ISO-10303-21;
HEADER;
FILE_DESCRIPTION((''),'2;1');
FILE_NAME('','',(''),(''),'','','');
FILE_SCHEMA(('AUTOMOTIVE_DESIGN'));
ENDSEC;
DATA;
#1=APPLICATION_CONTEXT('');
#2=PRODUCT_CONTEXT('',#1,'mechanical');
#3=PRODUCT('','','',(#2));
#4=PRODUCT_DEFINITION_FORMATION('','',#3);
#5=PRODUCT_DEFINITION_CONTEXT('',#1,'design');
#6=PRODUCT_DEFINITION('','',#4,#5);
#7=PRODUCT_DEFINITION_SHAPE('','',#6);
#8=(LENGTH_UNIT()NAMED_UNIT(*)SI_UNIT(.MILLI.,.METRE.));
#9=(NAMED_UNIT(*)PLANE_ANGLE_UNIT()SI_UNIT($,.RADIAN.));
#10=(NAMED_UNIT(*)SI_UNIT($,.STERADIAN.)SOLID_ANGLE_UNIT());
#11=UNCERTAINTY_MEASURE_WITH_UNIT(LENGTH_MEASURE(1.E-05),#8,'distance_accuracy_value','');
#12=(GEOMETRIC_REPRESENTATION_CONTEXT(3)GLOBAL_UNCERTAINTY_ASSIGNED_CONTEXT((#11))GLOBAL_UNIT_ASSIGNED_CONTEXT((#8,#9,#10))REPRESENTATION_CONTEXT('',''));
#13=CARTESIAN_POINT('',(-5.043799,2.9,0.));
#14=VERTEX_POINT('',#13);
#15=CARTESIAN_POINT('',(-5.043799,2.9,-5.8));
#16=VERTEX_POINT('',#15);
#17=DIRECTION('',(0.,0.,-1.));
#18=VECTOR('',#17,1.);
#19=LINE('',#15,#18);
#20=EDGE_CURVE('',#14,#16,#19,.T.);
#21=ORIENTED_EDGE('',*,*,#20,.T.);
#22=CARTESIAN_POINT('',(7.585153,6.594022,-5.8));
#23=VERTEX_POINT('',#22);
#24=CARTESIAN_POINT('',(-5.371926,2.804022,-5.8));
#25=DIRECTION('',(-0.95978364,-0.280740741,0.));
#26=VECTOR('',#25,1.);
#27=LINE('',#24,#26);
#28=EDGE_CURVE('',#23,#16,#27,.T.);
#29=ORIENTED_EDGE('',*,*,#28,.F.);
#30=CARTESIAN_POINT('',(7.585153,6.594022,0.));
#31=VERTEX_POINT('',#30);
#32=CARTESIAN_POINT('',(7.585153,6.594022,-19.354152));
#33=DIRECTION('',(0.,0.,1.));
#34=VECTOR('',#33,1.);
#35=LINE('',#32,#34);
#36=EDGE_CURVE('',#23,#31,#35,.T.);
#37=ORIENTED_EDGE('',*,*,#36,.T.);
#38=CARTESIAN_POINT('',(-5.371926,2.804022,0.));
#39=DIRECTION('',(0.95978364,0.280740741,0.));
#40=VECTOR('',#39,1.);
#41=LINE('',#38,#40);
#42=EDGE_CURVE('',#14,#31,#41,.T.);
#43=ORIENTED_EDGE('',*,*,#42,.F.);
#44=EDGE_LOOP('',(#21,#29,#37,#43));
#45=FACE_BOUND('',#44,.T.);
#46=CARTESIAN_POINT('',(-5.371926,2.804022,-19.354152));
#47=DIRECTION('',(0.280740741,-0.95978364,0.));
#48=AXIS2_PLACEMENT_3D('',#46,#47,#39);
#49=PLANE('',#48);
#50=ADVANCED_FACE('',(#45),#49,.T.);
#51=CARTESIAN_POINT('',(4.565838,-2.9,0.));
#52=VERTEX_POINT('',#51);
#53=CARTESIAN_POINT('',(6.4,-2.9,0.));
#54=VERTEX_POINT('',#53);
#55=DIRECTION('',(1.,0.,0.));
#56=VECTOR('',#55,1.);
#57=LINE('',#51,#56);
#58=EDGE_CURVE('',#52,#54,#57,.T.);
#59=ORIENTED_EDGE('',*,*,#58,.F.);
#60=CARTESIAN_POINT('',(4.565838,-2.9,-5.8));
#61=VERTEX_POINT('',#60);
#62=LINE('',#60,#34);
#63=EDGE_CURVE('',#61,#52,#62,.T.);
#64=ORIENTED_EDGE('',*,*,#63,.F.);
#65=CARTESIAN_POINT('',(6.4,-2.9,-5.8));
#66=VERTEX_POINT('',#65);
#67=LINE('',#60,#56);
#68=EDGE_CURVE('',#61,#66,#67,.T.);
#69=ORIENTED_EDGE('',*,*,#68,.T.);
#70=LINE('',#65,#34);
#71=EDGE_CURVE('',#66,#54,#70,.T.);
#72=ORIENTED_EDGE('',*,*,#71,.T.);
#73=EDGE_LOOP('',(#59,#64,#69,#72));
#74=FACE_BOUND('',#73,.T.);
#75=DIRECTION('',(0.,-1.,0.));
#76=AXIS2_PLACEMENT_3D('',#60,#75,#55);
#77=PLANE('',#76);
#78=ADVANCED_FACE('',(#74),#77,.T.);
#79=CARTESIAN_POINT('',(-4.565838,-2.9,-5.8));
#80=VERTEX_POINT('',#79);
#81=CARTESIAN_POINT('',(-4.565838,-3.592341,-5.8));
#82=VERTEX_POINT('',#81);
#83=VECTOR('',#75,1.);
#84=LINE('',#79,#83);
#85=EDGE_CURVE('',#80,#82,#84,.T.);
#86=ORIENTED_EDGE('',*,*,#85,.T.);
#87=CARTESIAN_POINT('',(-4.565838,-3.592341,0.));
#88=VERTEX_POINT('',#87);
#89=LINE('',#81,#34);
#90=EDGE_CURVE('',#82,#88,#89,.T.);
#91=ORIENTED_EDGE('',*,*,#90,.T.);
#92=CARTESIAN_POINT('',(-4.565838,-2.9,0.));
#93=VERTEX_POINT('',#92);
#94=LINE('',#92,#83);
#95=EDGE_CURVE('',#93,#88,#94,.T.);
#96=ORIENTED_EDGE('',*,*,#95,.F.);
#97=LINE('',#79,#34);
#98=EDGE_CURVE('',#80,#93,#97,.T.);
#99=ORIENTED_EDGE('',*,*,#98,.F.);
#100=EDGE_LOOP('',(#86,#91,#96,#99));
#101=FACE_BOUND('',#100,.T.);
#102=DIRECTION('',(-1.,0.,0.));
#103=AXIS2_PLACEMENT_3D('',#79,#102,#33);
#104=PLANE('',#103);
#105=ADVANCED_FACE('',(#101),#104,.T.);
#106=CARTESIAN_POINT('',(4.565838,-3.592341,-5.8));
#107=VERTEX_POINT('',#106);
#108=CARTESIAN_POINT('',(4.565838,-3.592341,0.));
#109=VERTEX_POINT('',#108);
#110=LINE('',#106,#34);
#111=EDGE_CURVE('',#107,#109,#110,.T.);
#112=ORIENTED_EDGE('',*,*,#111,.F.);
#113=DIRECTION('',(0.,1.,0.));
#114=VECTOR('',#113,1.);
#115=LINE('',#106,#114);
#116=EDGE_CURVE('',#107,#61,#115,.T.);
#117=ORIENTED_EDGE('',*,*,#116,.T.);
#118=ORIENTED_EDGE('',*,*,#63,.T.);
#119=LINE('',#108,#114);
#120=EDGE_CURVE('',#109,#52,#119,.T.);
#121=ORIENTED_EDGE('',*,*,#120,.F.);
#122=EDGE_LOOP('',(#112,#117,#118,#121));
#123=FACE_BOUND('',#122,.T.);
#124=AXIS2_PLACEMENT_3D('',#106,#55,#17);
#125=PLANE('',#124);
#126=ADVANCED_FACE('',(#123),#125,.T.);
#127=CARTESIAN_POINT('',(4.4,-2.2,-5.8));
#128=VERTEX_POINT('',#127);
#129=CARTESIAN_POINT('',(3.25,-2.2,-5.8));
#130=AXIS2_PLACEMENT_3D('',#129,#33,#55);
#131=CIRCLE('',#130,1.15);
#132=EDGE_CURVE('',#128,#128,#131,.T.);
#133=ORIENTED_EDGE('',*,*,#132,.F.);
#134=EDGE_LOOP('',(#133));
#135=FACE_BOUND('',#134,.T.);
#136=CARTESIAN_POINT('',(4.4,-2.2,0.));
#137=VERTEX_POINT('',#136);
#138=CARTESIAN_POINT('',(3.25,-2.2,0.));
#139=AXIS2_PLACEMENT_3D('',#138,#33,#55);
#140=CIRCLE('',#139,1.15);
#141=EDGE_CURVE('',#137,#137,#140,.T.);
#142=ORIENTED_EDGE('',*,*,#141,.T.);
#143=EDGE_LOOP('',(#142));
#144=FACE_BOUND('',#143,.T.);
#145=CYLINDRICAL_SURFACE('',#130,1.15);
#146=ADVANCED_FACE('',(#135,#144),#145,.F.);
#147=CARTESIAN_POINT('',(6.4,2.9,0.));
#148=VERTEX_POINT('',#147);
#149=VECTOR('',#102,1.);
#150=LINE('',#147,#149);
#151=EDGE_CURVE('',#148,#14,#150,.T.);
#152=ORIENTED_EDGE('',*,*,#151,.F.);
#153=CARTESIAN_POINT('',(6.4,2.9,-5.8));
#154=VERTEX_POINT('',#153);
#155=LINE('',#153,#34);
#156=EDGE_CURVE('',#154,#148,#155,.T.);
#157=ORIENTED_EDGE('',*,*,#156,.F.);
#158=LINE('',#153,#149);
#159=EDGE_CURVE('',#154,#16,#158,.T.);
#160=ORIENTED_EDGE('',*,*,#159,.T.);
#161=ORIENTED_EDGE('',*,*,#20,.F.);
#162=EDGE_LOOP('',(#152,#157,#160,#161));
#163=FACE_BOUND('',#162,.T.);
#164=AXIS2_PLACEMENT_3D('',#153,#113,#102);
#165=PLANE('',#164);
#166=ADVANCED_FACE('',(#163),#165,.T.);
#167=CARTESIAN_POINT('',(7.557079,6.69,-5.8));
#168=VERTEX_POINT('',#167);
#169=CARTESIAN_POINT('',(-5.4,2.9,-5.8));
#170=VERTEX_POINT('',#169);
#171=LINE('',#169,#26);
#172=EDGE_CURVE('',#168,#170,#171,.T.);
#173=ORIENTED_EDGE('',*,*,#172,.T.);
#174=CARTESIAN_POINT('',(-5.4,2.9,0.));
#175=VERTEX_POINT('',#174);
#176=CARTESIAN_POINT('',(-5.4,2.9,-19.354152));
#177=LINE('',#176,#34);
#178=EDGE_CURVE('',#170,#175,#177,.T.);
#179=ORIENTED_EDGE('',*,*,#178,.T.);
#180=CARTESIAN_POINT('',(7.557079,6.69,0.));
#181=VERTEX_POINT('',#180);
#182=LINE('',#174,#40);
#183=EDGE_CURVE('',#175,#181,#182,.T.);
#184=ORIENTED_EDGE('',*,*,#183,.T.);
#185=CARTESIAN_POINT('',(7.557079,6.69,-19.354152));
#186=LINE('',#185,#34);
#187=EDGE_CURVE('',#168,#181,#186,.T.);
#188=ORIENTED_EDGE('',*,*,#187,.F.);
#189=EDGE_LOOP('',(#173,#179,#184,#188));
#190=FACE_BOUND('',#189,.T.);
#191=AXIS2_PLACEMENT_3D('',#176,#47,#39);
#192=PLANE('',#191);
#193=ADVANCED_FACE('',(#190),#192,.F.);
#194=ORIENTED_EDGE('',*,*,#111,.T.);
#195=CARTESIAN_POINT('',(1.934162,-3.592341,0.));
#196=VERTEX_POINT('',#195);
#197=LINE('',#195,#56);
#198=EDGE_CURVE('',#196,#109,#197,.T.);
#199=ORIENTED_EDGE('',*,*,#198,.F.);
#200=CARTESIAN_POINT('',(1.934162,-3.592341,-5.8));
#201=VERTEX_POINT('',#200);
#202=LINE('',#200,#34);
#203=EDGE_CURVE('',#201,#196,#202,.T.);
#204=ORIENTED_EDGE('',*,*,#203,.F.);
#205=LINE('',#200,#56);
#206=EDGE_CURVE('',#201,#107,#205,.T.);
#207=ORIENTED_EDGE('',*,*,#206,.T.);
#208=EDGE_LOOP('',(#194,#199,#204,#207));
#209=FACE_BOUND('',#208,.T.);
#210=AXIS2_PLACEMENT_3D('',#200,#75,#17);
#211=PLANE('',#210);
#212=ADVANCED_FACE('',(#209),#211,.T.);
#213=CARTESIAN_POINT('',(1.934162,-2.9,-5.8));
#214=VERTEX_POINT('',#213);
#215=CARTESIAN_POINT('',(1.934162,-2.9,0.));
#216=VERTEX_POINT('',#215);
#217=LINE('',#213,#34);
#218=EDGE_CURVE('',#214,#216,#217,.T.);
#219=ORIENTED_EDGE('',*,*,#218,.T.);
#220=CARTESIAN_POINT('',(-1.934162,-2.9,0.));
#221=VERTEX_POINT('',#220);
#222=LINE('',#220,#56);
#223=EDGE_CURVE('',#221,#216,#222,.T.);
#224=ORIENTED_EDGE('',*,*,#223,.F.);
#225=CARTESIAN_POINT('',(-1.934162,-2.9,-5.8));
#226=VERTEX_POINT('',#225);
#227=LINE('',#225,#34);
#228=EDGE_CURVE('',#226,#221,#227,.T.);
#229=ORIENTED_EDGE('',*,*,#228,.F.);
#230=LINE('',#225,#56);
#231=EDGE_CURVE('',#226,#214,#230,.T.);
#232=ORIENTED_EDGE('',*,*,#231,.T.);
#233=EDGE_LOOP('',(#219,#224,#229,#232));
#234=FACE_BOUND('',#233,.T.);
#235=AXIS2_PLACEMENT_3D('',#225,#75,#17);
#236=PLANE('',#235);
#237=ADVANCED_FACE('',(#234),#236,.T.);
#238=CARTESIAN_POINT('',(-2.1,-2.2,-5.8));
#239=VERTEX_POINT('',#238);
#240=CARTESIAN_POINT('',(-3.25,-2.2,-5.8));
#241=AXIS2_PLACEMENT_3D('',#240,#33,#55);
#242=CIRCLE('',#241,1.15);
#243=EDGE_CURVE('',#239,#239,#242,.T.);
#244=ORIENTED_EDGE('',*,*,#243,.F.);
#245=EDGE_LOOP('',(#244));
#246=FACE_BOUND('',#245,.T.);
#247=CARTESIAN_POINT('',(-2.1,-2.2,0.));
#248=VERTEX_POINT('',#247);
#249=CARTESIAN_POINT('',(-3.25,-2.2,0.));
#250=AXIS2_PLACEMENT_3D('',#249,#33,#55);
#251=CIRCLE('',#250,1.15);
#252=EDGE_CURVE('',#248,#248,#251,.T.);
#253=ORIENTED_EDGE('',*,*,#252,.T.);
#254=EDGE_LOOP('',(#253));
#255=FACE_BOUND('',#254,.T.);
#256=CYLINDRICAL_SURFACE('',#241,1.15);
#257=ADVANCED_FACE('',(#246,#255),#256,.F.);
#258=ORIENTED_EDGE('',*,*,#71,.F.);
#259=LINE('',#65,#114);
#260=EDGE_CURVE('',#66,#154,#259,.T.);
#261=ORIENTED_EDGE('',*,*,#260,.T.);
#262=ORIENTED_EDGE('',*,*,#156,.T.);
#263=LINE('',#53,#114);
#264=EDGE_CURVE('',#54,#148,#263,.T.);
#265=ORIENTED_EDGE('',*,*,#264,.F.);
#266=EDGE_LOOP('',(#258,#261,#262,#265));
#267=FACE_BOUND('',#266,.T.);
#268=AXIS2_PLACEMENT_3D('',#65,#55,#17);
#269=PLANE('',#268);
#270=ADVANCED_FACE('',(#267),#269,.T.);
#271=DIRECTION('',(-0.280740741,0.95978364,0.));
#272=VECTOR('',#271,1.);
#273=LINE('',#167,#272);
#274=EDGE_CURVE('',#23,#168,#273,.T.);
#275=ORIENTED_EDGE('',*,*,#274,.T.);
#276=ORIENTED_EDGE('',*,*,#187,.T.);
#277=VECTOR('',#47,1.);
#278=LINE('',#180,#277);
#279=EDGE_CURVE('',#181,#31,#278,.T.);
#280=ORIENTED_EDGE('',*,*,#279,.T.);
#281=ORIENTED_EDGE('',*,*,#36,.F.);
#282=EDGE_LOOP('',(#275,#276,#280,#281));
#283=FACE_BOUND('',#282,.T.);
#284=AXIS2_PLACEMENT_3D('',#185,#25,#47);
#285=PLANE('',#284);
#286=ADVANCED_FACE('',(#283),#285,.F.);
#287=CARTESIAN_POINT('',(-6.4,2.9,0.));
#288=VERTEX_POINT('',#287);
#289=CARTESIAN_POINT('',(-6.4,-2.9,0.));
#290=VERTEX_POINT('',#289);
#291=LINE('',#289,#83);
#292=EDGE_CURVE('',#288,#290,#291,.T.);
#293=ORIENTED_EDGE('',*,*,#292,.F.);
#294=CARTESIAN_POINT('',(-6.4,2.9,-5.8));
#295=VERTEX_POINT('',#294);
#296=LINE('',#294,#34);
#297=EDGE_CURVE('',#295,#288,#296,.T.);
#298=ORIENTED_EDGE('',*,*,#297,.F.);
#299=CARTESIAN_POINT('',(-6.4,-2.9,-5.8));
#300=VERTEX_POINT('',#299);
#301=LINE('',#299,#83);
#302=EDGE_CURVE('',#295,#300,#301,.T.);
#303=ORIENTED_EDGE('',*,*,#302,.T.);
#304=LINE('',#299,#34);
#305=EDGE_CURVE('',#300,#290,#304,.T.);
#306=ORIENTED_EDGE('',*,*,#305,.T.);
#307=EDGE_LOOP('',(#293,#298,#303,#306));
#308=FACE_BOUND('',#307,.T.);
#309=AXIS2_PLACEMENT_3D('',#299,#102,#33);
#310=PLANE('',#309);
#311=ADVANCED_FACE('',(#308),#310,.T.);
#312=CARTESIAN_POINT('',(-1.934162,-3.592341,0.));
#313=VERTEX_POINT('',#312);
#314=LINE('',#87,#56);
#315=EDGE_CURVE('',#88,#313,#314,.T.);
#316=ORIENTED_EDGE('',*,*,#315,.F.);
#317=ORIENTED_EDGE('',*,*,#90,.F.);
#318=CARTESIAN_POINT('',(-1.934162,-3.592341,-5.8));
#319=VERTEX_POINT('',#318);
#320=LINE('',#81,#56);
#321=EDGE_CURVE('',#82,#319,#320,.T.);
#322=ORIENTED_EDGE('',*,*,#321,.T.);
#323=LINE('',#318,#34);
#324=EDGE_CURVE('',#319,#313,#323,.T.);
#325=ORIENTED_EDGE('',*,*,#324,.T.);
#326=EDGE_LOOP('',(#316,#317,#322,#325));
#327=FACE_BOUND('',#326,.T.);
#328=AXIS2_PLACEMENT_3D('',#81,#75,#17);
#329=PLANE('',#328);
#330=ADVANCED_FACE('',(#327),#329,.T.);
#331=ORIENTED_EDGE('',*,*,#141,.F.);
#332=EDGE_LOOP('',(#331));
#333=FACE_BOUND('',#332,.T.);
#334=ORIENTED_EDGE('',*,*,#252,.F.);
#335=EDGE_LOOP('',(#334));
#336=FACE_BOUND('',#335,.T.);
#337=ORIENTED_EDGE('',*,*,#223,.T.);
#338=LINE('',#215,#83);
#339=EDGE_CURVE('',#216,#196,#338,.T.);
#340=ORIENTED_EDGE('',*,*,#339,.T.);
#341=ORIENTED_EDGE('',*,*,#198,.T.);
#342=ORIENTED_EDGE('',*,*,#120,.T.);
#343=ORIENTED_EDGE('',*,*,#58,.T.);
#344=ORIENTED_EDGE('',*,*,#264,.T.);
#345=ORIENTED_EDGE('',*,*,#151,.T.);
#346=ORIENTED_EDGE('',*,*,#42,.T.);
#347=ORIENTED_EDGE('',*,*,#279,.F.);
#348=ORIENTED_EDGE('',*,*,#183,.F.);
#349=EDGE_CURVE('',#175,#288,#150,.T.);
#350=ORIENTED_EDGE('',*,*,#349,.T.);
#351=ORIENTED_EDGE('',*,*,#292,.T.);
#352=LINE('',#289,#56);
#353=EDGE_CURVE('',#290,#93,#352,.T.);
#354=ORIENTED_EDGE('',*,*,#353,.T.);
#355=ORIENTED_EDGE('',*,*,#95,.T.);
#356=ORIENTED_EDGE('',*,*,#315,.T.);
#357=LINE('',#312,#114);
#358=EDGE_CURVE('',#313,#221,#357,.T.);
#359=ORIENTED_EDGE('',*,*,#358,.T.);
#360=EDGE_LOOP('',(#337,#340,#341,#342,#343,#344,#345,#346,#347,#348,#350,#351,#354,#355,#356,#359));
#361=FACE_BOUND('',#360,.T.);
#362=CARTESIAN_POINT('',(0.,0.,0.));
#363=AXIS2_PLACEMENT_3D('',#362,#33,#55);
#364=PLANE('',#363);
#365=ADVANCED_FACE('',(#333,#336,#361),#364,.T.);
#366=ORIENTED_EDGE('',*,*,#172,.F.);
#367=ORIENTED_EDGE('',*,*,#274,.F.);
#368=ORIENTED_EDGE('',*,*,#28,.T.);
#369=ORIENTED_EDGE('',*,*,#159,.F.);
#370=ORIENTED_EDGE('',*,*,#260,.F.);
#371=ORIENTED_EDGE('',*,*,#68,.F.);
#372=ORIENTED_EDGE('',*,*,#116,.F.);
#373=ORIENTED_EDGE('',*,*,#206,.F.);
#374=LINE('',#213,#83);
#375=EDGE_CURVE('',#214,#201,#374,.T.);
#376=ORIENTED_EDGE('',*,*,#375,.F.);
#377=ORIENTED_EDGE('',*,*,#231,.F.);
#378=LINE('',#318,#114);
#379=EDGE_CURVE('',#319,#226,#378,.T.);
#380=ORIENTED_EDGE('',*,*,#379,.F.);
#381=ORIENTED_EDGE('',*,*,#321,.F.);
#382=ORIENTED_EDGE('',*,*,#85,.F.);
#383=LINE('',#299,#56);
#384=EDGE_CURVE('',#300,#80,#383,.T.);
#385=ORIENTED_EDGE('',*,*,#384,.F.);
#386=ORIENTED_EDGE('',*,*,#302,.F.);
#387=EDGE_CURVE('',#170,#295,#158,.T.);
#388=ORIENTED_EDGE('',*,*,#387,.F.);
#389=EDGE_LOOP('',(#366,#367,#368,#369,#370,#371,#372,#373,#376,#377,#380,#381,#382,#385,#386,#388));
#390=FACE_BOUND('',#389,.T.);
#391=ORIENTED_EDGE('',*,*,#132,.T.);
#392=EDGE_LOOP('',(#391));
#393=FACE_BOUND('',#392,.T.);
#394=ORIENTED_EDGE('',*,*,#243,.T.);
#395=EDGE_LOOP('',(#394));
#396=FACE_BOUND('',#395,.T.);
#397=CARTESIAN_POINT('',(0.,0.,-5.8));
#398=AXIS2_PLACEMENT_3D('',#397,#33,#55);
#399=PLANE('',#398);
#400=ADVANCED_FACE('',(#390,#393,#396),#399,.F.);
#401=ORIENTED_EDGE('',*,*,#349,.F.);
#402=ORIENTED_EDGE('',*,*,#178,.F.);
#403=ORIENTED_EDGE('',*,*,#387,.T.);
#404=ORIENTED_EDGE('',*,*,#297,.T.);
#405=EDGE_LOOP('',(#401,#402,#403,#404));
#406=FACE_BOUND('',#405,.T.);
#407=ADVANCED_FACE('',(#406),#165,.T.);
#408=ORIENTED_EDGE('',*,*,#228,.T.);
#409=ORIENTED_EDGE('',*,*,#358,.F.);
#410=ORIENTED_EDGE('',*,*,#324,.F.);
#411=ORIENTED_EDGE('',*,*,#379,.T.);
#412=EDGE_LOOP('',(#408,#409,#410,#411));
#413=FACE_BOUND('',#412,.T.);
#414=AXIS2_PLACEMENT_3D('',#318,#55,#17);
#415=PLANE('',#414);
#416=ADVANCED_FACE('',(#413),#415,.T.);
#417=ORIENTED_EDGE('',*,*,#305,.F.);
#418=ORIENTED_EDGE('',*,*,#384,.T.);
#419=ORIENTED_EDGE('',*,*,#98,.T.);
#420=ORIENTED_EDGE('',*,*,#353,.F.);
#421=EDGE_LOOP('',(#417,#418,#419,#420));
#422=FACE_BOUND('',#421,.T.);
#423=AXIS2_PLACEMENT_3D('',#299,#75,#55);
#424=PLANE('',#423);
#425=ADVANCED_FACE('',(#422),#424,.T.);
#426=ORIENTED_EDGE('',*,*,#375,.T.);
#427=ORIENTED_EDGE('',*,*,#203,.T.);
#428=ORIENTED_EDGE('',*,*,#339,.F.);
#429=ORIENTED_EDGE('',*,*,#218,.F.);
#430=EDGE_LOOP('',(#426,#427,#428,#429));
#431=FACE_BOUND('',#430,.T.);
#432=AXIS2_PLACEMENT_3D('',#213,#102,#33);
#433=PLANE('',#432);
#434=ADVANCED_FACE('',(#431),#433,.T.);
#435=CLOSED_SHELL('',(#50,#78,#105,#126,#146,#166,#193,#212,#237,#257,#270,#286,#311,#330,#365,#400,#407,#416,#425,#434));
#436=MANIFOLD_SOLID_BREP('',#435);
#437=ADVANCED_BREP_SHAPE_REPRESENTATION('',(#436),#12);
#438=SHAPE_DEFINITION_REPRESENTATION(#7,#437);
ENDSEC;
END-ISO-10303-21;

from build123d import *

# Parameters (mm, degrees)
SKETCH1_R           = 1.15
BOSS_EXTRUDE1_DEPTH = 5.8
EXTRUDE_THIN1_DEPTH = 5.8


with BuildPart() as part:
    # Sketch1 → Boss-Extrude1 (new body)
    with BuildSketch(Plane.XY):
        Polygon((-6.4, -2.9), (-4.565838245, -2.9), (-4.565838245, -3.592341201), (-1.934161755, -3.592341201), (-1.934161755, -2.9), (1.934161755, -2.9), (1.934161755, -3.592341201), (4.565838245, -3.592341201), (4.565838245, -2.9), (6.4, -2.9), (6.4, 2.9), (-6.4, 2.9), align=None)
        with Locations((-3.25, -2.2)):
            Circle(SKETCH1_R, mode=Mode.SUBTRACT)
        with Locations((3.25, -2.2)):
            Circle(SKETCH1_R, mode=Mode.SUBTRACT)
    extrude(amount=-BOSS_EXTRUDE1_DEPTH)

    # Sketch2 → Extrude-Thin1 (add)
    with BuildSketch(Plane.XY):
        Polygon((-5.4, 2.9), (7.557079146, 6.69), (7.58515322, 6.594021636), (-5.371925926, 2.804021636), align=None)
    extrude(amount=-EXTRUDE_THIN1_DEPTH)


solid = part.part
